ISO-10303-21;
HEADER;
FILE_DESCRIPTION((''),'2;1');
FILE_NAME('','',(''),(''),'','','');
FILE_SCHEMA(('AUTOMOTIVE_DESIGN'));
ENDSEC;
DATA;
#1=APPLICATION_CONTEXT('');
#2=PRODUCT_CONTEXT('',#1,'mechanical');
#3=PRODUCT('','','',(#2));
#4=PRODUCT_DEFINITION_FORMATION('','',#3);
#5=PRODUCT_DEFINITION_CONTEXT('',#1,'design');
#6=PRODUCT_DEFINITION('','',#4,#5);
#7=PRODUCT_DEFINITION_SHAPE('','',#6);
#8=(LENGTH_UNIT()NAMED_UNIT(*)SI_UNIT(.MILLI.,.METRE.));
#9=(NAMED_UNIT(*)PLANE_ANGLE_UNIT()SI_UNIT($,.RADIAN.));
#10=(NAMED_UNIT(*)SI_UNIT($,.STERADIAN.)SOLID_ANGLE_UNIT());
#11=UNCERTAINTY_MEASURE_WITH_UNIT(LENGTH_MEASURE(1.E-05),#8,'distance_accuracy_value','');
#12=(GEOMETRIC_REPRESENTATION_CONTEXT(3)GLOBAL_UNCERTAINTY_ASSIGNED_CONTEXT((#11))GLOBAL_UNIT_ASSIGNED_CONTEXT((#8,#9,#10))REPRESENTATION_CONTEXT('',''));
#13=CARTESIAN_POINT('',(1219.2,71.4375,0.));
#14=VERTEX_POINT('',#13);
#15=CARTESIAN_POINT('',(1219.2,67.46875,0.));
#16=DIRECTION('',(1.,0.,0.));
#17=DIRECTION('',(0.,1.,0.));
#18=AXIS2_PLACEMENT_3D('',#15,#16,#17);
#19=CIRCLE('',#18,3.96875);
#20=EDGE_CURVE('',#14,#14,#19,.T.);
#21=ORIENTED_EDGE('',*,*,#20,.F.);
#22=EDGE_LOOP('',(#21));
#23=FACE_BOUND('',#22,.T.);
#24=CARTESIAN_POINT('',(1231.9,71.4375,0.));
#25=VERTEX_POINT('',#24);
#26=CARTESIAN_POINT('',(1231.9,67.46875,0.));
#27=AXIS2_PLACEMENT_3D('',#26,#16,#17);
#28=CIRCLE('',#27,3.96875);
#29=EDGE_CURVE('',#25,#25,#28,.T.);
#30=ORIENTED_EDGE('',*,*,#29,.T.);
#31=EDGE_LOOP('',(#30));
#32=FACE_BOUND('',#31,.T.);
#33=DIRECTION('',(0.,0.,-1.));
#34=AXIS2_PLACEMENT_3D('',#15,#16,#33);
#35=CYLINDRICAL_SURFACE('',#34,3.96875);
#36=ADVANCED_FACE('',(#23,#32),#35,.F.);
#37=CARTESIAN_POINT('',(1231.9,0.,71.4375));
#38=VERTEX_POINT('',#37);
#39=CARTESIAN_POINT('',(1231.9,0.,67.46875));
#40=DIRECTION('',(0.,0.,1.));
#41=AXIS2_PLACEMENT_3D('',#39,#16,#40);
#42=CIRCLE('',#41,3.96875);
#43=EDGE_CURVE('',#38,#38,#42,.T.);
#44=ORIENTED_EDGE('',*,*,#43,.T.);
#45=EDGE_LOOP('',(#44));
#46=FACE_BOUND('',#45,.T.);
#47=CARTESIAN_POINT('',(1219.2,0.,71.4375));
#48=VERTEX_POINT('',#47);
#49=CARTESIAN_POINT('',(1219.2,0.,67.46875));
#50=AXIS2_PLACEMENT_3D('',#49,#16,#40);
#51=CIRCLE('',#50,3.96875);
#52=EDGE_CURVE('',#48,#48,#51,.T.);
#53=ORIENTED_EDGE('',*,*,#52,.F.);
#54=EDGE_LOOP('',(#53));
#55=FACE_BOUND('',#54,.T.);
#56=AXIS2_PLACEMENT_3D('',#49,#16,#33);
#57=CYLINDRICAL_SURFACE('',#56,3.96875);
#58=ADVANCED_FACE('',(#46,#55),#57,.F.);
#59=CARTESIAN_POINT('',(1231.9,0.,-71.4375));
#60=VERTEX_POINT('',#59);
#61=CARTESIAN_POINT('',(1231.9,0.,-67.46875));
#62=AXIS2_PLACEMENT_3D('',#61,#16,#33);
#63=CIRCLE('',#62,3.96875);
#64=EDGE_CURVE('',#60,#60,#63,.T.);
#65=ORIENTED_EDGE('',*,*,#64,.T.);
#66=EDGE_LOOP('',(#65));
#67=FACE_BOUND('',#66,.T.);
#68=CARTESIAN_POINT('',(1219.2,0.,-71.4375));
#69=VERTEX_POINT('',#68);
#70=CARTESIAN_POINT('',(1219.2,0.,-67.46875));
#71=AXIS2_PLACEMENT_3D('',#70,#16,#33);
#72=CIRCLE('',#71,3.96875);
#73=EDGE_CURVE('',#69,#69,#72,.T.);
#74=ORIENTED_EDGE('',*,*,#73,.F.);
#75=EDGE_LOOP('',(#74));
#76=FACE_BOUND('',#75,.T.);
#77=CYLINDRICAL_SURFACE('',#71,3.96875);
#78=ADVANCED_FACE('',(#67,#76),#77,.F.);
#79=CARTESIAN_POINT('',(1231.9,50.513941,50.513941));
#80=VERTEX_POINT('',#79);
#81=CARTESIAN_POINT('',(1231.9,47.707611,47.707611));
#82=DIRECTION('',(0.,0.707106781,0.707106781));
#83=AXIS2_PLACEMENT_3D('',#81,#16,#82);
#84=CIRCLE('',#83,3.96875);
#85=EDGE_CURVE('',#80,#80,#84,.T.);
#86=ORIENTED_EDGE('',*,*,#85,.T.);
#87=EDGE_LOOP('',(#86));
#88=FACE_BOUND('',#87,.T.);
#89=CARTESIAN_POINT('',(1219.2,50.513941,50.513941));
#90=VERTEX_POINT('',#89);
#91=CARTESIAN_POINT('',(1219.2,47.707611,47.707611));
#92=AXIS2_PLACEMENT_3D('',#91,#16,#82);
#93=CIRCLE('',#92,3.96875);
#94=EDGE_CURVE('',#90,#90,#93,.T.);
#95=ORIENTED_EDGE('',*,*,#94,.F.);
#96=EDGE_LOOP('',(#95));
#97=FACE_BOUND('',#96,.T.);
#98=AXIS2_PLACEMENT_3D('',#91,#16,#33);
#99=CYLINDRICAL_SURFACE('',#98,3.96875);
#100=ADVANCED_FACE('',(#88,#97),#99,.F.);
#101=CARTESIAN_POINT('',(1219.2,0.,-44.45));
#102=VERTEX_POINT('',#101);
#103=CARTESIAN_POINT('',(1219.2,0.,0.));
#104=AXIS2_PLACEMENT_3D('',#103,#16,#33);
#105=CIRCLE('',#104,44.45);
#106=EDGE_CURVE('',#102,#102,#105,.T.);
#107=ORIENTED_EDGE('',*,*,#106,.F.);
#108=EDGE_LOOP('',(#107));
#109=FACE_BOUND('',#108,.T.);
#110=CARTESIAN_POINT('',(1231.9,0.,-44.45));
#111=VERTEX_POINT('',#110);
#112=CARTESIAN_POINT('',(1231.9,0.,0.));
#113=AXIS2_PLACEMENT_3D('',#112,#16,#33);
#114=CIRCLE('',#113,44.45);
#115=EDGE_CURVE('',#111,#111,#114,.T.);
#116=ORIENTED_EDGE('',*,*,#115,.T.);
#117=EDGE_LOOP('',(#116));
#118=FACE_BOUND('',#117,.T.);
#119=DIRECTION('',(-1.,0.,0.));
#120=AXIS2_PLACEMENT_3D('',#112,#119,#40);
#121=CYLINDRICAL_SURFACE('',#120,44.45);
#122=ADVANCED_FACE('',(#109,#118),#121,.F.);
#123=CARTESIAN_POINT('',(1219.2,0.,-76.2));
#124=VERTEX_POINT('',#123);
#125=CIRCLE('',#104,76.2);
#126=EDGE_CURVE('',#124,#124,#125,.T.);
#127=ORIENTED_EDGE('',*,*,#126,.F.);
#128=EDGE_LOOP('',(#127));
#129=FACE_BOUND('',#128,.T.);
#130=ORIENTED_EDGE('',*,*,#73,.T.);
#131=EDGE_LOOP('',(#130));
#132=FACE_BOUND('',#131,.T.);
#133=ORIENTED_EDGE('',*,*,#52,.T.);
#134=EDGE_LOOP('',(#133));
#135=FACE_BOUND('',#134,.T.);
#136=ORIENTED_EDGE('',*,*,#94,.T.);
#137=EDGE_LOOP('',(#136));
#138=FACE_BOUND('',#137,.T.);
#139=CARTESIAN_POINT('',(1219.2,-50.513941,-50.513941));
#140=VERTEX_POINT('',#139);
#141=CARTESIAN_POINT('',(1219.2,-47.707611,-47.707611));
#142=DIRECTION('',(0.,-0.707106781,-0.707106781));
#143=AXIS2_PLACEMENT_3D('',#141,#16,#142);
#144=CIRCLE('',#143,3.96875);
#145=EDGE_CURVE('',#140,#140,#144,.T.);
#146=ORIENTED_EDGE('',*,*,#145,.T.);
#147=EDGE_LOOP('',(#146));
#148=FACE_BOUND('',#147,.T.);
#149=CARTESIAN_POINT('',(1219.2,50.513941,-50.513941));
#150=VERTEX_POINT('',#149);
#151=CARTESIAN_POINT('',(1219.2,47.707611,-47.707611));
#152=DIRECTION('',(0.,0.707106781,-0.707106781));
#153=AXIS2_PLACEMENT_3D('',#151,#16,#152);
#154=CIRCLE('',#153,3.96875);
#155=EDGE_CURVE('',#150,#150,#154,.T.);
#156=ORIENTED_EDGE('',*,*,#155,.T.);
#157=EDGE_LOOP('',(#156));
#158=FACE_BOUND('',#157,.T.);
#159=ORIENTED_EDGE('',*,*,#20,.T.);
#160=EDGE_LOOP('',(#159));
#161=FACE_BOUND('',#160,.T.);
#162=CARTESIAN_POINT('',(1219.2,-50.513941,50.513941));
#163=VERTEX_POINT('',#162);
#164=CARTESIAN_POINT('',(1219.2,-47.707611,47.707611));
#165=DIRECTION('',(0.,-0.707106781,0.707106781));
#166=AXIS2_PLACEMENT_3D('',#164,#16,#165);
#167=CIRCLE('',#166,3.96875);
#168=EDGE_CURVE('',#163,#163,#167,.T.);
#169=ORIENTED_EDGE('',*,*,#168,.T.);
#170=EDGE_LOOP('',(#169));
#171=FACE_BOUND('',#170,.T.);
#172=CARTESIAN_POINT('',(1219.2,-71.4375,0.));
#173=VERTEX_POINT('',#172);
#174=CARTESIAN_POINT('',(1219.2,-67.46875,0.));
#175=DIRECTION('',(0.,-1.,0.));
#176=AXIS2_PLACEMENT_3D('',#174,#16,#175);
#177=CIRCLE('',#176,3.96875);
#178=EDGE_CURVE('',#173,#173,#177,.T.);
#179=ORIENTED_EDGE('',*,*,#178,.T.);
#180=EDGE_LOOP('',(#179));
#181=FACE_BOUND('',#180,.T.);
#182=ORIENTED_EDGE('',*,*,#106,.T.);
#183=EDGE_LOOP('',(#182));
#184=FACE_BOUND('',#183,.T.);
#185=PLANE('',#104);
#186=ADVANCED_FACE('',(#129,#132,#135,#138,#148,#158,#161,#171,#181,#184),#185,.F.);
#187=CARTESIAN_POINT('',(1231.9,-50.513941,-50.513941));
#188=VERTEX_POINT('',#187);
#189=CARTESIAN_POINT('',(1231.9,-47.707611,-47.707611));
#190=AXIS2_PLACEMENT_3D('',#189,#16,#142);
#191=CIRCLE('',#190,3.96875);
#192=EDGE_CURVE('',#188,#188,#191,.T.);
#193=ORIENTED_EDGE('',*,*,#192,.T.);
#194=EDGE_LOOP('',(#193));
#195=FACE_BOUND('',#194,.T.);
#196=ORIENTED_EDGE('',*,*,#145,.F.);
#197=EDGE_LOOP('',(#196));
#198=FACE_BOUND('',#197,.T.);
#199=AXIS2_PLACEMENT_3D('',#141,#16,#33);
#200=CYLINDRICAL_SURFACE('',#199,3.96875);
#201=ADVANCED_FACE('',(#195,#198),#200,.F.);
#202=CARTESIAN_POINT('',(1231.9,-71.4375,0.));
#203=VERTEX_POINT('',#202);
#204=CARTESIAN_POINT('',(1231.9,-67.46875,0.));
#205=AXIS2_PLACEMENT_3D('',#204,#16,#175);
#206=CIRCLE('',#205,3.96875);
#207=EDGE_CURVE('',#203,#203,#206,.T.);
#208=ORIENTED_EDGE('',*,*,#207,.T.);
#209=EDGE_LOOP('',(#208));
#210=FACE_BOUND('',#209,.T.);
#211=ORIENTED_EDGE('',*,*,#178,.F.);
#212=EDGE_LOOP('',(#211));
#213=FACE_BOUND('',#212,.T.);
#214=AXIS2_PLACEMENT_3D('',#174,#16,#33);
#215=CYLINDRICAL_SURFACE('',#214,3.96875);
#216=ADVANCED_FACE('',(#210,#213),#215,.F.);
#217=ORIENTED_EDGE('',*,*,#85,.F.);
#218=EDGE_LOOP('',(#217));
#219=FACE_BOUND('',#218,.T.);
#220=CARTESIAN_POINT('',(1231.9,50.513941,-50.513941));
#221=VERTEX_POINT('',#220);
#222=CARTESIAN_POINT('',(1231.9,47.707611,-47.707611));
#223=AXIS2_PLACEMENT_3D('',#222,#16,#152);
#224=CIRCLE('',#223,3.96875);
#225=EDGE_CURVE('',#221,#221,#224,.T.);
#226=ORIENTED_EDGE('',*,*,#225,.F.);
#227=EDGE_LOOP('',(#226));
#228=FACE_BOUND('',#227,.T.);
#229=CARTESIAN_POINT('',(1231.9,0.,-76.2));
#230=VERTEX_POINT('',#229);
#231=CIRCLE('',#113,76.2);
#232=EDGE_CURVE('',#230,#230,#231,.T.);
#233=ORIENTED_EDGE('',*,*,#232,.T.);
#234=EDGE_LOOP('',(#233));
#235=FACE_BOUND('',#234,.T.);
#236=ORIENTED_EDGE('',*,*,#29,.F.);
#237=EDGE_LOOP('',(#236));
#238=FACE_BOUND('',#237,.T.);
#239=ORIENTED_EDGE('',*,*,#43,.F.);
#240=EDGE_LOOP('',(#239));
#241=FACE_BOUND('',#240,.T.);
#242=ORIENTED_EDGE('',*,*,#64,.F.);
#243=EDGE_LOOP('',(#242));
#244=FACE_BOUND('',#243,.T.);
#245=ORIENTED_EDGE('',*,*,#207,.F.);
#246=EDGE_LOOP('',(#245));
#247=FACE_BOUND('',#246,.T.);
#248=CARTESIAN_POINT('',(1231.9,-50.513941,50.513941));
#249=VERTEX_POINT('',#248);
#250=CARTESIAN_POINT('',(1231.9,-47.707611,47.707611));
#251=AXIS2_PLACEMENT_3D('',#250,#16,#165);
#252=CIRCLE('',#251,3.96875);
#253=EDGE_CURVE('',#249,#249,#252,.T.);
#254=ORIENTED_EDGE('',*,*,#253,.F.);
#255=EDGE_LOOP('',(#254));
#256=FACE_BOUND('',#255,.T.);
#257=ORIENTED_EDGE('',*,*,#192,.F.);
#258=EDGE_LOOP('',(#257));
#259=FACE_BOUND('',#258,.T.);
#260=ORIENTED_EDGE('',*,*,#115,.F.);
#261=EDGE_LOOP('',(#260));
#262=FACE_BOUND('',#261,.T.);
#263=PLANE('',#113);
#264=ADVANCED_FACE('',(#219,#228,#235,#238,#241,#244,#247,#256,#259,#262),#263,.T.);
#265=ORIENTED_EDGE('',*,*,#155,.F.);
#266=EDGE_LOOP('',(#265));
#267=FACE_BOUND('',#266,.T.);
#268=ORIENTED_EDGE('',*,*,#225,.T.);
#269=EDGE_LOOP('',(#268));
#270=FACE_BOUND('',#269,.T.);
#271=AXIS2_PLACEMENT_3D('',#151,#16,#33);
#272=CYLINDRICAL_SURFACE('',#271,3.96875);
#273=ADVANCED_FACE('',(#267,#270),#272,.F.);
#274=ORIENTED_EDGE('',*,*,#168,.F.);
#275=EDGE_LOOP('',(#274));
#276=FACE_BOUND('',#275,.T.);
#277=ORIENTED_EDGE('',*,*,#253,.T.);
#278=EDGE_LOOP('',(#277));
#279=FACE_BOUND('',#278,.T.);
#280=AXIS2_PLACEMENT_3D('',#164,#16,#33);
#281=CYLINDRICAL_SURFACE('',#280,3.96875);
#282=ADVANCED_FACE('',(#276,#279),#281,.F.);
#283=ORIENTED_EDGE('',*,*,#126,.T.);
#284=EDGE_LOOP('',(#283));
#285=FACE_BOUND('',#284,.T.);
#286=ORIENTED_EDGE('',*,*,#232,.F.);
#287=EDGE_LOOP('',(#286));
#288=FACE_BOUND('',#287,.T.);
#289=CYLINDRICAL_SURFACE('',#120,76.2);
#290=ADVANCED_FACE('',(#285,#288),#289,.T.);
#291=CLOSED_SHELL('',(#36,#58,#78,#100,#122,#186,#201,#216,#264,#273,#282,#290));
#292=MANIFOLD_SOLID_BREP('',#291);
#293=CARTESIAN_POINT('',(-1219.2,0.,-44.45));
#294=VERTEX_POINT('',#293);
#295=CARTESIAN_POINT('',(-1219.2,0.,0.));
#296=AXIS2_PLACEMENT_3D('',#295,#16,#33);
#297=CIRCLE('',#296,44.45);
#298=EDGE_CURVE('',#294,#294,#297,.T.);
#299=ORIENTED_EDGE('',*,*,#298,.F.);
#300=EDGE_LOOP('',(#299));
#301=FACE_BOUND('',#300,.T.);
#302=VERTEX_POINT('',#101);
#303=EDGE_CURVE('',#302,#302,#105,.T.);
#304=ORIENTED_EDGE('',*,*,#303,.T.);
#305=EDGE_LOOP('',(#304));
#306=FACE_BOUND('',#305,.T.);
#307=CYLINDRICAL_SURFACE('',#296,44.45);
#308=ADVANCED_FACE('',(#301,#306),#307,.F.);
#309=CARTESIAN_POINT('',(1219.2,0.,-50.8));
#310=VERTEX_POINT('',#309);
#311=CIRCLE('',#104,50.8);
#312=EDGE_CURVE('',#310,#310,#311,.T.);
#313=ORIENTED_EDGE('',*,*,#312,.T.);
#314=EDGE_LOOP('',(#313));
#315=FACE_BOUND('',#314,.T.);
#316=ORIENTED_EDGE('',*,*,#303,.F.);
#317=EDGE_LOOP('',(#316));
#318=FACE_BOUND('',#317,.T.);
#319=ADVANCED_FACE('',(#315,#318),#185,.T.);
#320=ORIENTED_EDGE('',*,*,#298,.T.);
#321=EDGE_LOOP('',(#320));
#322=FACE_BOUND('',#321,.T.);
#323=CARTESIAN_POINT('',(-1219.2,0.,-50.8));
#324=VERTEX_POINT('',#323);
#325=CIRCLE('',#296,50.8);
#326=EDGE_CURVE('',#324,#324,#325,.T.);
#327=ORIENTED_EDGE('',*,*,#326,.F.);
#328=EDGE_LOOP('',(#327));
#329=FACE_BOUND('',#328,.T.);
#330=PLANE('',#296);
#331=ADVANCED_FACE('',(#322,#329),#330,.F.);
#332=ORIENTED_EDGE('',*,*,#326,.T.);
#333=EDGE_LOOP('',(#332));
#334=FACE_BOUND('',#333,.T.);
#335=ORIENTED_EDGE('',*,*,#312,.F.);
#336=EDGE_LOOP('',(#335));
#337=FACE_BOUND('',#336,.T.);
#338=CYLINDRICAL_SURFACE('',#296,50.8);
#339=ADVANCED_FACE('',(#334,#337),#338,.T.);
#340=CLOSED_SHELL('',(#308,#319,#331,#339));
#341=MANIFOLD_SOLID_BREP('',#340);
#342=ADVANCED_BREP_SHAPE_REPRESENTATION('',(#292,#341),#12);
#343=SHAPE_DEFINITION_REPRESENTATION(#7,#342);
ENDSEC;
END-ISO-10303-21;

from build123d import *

# Parameters (mm, degrees)
BOSS_EXTRUDE1_DEPTH      = 1219.2
BOSS_EXTRUDE1_DEPTH_BACK = 1219.2
SKETCH1_R                = 50.8
SKETCH1_R_2              = 44.45
SKETCH2_R                = 76.2
SKETCH2_R_2              = 44.45
BOSS_EXTRUDE2_DEPTH      = 12.7
SKETCH3_R                = 3.96875
CUT_EXTRUDE1_DEPTH       = 12.7
CIRPATTERN1_COUNT        = 8


with BuildPart() as part:
    # Sketch1 → Boss-Extrude1 (new, two sides: drawn at the far end of the back side and taken through both)
    with BuildSketch(Plane(origin=(0, 0, 0), x_dir=(0, 0, -1), z_dir=(1, 0, 0)).offset(-BOSS_EXTRUDE1_DEPTH_BACK)):
        Circle(SKETCH1_R)
        Circle(SKETCH1_R_2, mode=Mode.SUBTRACT)
    extrude(amount=BOSS_EXTRUDE1_DEPTH + BOSS_EXTRUDE1_DEPTH_BACK)


with BuildPart() as body_2:
    # Sketch2 → Boss-Extrude2 (new body)
    with BuildSketch(Plane(origin=(1219.2, 0, 0), x_dir=(0, 0, -1), z_dir=(1, 0, 0))):
        Circle(SKETCH2_R)
        Circle(SKETCH2_R_2, mode=Mode.SUBTRACT)
    extrude(amount=BOSS_EXTRUDE2_DEPTH)

    # Sketch3 → Cut-Extrude1 (cut)
    with BuildSketch(Plane(origin=(1231.9, 0, 0), x_dir=(0, 0, -1), z_dir=(1, 0, 0))):
        with Locations((67.46875, 0)):
            Circle(SKETCH3_R)
    cut_extrude1 = extrude(amount=-CUT_EXTRUDE1_DEPTH, mode=Mode.SUBTRACT)

    # CirPattern1: Cut-Extrude1 ×8 about axis
    cirpattern1_axis = Axis((1231.9, 0, 0), (1, 0, 0))
    for i in range(1, CIRPATTERN1_COUNT):
        add(cut_extrude1.rotate(cirpattern1_axis, i * 360 / CIRPATTERN1_COUNT), mode=Mode.SUBTRACT)


solid = Compound([part.part, body_2.part])
